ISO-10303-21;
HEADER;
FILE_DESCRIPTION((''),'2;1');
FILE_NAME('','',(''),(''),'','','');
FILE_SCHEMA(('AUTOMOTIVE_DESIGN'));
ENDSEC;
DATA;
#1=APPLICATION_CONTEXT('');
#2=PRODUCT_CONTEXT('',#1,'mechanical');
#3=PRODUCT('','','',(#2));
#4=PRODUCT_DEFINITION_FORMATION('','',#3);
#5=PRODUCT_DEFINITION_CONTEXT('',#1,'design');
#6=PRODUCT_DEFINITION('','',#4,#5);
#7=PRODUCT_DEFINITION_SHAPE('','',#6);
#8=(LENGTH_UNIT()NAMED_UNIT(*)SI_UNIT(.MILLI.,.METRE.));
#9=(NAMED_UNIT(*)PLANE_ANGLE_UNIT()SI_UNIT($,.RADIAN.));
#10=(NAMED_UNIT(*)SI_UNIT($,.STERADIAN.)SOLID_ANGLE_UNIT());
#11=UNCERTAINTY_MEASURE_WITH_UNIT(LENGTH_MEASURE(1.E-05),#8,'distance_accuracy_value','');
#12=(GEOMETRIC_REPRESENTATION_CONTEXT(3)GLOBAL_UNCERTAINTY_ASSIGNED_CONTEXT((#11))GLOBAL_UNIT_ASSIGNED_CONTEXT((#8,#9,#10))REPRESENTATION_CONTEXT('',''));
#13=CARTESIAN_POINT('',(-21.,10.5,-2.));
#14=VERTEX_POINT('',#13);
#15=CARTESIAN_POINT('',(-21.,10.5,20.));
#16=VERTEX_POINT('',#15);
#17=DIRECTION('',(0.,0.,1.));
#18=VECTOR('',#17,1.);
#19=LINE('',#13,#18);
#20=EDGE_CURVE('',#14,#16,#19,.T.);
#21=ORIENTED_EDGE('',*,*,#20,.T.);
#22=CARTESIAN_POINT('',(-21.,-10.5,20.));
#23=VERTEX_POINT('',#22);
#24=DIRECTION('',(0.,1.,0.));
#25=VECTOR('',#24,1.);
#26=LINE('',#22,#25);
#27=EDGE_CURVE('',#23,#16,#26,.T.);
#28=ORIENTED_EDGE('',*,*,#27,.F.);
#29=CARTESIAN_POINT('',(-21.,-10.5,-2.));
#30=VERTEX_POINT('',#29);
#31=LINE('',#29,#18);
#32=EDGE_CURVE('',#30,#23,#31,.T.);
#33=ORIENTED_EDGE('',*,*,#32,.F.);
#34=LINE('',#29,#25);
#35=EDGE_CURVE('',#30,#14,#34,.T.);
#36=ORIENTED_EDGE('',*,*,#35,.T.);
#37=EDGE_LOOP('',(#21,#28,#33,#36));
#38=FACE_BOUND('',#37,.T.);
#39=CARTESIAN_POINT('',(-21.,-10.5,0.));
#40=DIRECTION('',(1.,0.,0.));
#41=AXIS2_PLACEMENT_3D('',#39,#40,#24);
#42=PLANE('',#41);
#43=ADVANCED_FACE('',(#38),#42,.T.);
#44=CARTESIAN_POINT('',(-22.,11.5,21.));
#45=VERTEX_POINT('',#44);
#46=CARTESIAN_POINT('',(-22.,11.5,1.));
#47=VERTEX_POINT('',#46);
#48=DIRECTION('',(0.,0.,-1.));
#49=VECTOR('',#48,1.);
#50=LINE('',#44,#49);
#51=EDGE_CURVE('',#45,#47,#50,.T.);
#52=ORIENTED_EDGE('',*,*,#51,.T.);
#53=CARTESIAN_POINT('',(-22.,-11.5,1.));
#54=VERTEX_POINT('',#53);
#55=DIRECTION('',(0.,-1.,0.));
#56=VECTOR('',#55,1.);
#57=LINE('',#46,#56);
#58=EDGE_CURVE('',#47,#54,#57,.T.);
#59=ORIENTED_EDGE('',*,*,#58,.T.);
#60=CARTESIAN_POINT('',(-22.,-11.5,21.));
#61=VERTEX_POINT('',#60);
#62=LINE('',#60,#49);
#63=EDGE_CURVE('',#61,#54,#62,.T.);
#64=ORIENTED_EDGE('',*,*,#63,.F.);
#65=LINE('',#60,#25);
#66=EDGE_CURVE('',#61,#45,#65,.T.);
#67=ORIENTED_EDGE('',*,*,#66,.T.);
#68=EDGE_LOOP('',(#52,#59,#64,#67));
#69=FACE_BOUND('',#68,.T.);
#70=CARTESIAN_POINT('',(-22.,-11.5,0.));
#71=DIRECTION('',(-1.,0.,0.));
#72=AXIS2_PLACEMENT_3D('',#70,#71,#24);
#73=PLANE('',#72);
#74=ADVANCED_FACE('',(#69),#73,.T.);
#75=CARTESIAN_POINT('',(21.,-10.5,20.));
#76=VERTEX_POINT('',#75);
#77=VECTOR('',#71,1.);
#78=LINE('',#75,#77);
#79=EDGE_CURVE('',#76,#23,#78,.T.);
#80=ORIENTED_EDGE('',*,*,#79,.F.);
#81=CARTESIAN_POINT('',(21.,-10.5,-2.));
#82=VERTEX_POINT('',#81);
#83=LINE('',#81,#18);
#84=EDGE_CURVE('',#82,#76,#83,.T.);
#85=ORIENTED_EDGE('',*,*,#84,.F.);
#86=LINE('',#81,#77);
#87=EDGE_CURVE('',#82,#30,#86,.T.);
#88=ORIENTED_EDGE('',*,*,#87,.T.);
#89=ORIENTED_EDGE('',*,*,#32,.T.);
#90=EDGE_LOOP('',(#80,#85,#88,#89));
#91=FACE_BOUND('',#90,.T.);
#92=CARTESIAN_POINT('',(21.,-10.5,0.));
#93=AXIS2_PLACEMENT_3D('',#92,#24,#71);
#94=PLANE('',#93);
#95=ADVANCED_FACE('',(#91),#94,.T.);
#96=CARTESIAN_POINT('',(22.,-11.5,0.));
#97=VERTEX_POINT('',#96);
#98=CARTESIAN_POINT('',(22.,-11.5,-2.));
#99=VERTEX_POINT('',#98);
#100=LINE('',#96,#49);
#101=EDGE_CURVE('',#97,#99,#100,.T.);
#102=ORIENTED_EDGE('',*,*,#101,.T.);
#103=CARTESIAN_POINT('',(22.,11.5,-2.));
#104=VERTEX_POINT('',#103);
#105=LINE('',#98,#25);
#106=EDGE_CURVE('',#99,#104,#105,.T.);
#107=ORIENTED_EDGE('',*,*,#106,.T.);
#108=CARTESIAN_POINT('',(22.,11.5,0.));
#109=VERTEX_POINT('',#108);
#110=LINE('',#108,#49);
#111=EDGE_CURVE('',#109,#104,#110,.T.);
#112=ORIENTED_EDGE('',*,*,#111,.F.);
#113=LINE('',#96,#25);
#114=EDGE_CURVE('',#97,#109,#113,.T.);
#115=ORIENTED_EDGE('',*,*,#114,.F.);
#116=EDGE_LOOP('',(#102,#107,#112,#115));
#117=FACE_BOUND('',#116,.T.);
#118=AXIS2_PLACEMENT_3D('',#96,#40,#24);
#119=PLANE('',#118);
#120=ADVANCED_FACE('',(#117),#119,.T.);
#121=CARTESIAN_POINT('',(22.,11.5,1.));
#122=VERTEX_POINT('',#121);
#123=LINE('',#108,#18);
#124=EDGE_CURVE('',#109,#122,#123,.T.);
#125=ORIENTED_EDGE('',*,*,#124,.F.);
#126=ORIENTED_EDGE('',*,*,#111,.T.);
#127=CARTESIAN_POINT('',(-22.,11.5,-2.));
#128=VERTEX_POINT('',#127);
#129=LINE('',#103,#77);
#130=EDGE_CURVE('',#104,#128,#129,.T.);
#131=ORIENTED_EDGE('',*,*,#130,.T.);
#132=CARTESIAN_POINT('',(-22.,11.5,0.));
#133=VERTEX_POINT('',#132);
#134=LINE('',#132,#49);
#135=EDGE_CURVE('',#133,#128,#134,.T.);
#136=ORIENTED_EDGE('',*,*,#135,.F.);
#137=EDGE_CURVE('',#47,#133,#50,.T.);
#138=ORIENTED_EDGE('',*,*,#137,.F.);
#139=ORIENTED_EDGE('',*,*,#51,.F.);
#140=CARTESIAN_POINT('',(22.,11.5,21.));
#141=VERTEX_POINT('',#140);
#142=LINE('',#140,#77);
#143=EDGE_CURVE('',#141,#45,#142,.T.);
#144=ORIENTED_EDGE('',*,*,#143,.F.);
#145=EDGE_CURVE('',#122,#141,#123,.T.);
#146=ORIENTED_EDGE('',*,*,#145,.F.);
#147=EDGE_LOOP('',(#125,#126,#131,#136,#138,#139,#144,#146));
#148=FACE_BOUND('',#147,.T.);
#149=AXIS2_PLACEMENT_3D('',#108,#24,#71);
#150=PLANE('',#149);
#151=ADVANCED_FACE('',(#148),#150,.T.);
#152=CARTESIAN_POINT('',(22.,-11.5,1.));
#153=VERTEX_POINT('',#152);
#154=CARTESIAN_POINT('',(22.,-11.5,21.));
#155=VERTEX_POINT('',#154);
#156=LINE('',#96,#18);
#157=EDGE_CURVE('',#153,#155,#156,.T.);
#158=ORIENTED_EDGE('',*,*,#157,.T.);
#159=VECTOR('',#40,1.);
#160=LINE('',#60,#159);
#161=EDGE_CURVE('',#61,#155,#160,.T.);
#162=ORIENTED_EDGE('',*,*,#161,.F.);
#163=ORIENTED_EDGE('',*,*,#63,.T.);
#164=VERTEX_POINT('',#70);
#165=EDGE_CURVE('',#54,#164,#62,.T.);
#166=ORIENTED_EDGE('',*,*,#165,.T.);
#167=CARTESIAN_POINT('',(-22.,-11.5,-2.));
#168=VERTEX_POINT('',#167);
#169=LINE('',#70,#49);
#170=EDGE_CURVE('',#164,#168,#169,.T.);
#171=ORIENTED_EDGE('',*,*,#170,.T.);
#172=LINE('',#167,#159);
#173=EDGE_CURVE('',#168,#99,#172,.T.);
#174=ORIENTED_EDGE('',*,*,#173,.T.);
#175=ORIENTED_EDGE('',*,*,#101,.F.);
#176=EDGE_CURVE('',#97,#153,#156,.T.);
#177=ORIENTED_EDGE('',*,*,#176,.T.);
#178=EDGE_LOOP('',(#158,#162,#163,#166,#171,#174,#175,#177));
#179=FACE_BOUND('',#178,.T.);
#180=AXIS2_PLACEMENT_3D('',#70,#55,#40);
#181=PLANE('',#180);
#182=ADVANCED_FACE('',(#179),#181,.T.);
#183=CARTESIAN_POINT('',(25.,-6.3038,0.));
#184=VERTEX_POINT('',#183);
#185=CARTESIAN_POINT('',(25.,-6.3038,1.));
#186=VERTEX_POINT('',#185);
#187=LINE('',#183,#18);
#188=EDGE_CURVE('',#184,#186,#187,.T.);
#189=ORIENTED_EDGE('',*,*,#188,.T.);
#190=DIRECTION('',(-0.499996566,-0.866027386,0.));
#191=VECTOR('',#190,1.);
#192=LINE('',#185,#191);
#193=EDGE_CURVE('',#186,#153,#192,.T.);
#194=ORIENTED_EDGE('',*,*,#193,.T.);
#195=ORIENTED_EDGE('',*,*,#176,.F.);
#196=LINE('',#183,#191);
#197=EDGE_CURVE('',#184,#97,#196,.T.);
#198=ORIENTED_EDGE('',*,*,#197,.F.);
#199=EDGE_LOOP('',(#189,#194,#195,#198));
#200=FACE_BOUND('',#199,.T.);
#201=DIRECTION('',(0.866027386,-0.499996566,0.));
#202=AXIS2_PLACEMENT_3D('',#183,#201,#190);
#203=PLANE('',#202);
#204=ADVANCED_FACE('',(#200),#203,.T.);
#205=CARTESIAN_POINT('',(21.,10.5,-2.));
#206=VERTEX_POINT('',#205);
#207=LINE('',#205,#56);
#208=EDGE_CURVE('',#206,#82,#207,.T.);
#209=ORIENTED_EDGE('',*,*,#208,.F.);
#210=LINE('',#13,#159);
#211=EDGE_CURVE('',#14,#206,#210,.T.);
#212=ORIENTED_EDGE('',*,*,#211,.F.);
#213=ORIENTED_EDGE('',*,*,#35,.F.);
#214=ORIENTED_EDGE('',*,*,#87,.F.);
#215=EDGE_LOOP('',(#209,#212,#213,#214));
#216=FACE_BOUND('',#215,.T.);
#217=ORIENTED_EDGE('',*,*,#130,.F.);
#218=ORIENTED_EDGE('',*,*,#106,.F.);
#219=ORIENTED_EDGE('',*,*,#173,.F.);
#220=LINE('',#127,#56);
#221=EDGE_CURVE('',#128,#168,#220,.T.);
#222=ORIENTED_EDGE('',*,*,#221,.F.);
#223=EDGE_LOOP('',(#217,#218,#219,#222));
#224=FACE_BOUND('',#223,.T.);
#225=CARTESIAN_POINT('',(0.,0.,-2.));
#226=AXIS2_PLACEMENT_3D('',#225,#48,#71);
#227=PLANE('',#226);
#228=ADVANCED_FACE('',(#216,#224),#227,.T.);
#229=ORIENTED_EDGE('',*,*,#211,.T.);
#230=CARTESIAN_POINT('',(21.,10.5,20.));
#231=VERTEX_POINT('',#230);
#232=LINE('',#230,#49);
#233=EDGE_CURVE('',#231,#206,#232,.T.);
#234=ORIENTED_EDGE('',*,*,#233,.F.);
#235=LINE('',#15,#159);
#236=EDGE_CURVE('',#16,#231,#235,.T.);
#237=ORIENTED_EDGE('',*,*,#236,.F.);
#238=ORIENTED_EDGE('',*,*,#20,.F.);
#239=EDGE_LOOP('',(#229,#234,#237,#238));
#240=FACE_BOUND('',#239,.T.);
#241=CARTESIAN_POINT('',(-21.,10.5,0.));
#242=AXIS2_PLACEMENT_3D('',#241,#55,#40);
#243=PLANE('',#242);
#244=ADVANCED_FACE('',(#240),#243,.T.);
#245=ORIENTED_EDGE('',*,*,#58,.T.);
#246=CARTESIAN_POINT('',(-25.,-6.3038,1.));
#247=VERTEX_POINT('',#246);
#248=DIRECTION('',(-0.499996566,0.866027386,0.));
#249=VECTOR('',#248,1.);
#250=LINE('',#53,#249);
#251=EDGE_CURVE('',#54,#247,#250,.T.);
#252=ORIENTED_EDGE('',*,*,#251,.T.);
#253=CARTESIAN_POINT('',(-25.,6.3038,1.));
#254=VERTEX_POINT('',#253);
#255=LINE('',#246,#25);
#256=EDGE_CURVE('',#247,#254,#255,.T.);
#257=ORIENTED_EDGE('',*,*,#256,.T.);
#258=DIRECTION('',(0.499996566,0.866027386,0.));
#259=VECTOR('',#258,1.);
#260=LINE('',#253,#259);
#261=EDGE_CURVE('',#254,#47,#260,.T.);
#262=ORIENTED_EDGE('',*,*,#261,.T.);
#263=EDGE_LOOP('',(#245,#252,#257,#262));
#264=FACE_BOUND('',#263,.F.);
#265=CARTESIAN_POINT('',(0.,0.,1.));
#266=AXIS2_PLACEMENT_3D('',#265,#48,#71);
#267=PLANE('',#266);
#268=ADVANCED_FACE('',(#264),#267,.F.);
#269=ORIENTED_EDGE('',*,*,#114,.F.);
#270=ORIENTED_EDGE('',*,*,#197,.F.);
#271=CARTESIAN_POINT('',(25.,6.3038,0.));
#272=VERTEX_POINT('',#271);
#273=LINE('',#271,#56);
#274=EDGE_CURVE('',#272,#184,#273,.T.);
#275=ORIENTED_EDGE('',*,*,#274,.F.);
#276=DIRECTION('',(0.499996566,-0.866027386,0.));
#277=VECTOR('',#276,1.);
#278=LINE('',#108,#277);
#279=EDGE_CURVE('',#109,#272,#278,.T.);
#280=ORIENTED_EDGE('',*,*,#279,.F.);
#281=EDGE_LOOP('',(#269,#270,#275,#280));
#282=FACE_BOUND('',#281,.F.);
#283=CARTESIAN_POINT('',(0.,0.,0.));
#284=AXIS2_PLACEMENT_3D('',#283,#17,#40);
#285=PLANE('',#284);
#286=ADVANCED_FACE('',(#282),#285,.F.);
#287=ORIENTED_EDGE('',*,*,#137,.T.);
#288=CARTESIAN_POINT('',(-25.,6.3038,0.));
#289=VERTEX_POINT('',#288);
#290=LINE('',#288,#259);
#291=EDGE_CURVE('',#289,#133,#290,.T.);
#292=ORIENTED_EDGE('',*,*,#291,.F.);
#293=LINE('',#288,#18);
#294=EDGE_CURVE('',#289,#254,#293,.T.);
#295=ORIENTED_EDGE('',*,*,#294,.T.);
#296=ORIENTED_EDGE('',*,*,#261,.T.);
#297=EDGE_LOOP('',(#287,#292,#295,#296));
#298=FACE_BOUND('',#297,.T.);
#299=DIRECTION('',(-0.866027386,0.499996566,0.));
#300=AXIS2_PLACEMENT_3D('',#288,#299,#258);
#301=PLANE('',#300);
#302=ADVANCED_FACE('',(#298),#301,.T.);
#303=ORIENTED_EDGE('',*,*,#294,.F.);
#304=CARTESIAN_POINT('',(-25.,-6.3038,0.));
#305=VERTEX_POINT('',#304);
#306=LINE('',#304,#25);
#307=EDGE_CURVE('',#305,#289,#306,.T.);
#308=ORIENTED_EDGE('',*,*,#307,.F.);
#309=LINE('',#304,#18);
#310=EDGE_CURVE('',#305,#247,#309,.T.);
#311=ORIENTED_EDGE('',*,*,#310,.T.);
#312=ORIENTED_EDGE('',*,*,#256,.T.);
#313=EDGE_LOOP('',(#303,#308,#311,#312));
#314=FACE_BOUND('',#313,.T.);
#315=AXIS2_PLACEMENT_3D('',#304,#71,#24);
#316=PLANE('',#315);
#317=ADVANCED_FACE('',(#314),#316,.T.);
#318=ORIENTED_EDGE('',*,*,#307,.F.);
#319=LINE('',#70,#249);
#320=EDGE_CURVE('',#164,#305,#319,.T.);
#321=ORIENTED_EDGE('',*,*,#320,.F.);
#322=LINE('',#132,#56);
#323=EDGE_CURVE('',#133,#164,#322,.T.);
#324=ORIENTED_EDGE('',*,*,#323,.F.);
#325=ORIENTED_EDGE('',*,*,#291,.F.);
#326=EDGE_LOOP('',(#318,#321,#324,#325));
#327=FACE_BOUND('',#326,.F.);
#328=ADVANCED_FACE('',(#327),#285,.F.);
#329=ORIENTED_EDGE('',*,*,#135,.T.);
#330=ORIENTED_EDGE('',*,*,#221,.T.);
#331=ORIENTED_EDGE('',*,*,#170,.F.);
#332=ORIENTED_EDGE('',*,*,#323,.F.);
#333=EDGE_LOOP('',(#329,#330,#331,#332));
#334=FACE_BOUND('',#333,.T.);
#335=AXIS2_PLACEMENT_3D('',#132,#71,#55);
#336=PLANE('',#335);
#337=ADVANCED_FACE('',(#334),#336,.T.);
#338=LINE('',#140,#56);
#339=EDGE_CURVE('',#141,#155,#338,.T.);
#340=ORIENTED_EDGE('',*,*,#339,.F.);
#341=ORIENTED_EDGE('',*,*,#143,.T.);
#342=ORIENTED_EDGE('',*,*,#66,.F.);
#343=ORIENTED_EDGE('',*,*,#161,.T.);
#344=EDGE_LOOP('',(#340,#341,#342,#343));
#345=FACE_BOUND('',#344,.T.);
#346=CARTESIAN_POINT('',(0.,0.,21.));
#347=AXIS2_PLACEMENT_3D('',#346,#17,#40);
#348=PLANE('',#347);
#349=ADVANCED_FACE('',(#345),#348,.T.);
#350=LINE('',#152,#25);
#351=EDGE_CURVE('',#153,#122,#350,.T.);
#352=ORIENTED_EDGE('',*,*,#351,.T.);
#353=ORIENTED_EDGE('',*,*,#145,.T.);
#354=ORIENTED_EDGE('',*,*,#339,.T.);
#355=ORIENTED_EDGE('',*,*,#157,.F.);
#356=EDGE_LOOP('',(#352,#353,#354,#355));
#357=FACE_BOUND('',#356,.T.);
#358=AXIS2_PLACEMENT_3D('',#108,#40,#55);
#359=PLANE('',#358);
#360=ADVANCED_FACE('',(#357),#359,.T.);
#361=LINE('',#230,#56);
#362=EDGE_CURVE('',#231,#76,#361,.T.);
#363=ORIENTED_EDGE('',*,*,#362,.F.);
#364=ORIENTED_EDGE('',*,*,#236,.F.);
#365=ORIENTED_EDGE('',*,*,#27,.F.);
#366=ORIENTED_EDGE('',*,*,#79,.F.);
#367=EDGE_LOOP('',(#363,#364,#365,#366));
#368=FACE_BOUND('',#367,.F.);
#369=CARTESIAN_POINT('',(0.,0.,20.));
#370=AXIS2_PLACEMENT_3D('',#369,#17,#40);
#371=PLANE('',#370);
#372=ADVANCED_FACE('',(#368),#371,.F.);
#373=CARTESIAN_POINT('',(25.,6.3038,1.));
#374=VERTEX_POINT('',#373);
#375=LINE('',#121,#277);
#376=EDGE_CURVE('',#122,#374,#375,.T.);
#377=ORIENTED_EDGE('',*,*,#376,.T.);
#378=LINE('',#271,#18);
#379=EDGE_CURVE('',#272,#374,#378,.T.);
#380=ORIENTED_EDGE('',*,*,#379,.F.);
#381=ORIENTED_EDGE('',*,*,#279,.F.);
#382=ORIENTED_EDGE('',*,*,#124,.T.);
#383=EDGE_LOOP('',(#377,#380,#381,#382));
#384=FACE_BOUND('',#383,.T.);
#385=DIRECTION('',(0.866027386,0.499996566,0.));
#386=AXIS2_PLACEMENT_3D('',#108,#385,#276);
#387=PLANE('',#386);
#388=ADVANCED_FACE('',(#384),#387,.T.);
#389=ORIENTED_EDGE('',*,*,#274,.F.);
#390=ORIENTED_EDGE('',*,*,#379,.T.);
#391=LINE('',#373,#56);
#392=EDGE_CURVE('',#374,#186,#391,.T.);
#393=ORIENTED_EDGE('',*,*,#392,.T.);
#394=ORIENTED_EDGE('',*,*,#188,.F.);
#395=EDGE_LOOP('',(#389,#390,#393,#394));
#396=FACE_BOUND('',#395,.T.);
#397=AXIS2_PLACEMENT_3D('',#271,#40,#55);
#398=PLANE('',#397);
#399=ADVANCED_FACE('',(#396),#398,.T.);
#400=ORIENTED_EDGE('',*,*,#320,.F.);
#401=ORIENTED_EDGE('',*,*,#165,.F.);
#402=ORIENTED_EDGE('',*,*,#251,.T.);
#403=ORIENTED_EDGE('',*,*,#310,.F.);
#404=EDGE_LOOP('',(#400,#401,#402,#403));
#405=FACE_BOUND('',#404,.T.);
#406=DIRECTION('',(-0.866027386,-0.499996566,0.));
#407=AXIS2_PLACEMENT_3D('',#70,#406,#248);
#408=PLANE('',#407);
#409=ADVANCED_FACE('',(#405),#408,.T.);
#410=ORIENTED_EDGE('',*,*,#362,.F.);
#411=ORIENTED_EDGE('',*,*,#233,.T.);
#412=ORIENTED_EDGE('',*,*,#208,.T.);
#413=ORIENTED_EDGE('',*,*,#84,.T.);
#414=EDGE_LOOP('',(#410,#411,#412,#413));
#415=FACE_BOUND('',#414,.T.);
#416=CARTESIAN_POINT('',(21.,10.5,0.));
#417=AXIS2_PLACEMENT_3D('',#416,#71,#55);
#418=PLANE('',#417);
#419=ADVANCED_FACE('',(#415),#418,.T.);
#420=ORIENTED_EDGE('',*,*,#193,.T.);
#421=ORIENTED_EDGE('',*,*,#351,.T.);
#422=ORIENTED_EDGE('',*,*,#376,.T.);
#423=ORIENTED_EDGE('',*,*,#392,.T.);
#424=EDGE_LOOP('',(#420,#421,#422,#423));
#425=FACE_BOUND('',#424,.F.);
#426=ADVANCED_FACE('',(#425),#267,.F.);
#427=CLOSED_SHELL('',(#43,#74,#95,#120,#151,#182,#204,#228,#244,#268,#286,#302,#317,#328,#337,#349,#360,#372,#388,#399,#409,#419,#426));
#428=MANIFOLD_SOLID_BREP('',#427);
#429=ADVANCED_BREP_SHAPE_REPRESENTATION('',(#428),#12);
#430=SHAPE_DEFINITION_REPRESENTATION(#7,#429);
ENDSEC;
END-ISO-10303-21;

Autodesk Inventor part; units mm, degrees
ref_plane "YZ Plane" through (0, 0, 0) normal (1, 0, 0) x (0, 1, 0)
ref_plane "XZ Plane" through (0, 0, 0) normal (0, 1, 0) x (-1, 0, 0)
ref_plane "XY Plane" through (0, 0, 0) normal (0, 0, 1) x (1, 0, 0)
sketch "Эскиз1" plane through (0, 0, 0) normal (0, 0, 1) x (1, 0, 0)
  line L0 (22, -11.5) -> (-22, -11.5)
  line L1 (-22, -11.5) -> (-22, 11.5)
  line L2 (-22, 11.5) -> (22, 11.5)
  line L3 (22, 11.5) -> (22, -11.5)
  line L4 (22, -11.5) -> (-22, 11.5) construction
  line L5 (-22, -11.5) -> (22, 11.5) construction
  line L6 (20, -10.4545) -> (-20, 10.4545) construction
  line L7 (-20, -10.4545) -> (20, 10.4545) construction
  line L8 (21, -10.5) -> (-21, -10.5)
  line L9 (-21, -10.5) -> (-21, 10.5)
  line L10 (-21, 10.5) -> (21, 10.5)
  line L11 (21, 10.5) -> (21, -10.5)
  line L12 (21, -10.5) -> (-21, 10.5) construction
  line L13 (-21, -10.5) -> (21, 10.5) construction
  point P0 (0, 0)
  dimension "d0" = 23
  dimension "d1" = 44
  dimension "d3" = 1
  dimension "d4" = 1
  dimension "d5" = 1
extrude "Выдавливание1" add sketch "Эскиз1" along normal blind 20
sketch "Эскиз3" plane through (0, 0, 20) normal (0, 0, 1) x (1, 0, 0)
  line L0 (22, 11.5) -> (-22, 11.5) projected
  line L1 (-22, -11.5) -> (22, -11.5) projected
  line L2 (-22, 11.5) -> (22, 11.5)
  line L3 (22, 11.5) -> (22, -11.5)
  line L4 (22, -11.5) -> (-22, -11.5)
  line L5 (-22, -11.5) -> (-22, 11.5)
  point P0 (0, 0)
extrude "Выдавливание2" add sketch "Эскиз3" along normal blind 1
sketch "Эскиз4" plane through (0, 0, 0) normal (0, 0, -1) x (-1, 0, 0)
  line L0 (25, -6.3038) -> (25, 6.3038)
  line L1 (-22, 11.5) -> (22, 11.5) projected
  line L2 (25, 6.3038) -> (22, 11.5)
  line L3 (22, -11.5) -> (-22, -11.5) projected
  line L4 (22, 11.5) -> (22, -11.5)
  line L5 (22, -11.5) -> (25, -6.3038)
  line L6 (-22, -11.5) -> (-22, 11.5) projected
  line L7 (-22, -11.5) -> (-22, 11.5)
  line L8 (-22, 11.5) -> (-25, 6.3038)
  line L9 (-25, 6.3038) -> (-25, -6.3038)
  line L10 (-25, -6.3038) -> (-22, -11.5)
  point P0 (0, 0)
  dimension "d10" = 3
  dimension "d11" = 3
  dimension "d12" = 30
  dimension "d13" = 30
  dimension "d14" = 30
  dimension "d15" = 30
extrude "Выдавливание3" add sketch "Эскиз4" against normal blind 1 contours L5 L4 L2 L0 | L10 L9 L8 L6
sketch "Эскиз5" plane through (0, 0, 0) normal (0, 0, -1) x (-1, 0, 0)
  line L0 (-21, 10.5) -> (-21, -10.5) projected
  line L1 (-21, -10.5) -> (21, -10.5) projected
  line L2 (21, -10.5) -> (21, 10.5) projected
  line L3 (21, 10.5) -> (-21, 10.5) projected
  line L4 (22, -11.5) -> (-22, -11.5)
  line L5 (-22, -11.5) -> (-22, 11.5)
  line L6 (-22, 11.5) -> (22, 11.5)
  line L7 (22, 11.5) -> (22, -11.5)
  point P0 (0, 0)
extrude "Выдавливание4" add sketch "Эскиз5" along normal blind 2
properties part number "кейсик"
